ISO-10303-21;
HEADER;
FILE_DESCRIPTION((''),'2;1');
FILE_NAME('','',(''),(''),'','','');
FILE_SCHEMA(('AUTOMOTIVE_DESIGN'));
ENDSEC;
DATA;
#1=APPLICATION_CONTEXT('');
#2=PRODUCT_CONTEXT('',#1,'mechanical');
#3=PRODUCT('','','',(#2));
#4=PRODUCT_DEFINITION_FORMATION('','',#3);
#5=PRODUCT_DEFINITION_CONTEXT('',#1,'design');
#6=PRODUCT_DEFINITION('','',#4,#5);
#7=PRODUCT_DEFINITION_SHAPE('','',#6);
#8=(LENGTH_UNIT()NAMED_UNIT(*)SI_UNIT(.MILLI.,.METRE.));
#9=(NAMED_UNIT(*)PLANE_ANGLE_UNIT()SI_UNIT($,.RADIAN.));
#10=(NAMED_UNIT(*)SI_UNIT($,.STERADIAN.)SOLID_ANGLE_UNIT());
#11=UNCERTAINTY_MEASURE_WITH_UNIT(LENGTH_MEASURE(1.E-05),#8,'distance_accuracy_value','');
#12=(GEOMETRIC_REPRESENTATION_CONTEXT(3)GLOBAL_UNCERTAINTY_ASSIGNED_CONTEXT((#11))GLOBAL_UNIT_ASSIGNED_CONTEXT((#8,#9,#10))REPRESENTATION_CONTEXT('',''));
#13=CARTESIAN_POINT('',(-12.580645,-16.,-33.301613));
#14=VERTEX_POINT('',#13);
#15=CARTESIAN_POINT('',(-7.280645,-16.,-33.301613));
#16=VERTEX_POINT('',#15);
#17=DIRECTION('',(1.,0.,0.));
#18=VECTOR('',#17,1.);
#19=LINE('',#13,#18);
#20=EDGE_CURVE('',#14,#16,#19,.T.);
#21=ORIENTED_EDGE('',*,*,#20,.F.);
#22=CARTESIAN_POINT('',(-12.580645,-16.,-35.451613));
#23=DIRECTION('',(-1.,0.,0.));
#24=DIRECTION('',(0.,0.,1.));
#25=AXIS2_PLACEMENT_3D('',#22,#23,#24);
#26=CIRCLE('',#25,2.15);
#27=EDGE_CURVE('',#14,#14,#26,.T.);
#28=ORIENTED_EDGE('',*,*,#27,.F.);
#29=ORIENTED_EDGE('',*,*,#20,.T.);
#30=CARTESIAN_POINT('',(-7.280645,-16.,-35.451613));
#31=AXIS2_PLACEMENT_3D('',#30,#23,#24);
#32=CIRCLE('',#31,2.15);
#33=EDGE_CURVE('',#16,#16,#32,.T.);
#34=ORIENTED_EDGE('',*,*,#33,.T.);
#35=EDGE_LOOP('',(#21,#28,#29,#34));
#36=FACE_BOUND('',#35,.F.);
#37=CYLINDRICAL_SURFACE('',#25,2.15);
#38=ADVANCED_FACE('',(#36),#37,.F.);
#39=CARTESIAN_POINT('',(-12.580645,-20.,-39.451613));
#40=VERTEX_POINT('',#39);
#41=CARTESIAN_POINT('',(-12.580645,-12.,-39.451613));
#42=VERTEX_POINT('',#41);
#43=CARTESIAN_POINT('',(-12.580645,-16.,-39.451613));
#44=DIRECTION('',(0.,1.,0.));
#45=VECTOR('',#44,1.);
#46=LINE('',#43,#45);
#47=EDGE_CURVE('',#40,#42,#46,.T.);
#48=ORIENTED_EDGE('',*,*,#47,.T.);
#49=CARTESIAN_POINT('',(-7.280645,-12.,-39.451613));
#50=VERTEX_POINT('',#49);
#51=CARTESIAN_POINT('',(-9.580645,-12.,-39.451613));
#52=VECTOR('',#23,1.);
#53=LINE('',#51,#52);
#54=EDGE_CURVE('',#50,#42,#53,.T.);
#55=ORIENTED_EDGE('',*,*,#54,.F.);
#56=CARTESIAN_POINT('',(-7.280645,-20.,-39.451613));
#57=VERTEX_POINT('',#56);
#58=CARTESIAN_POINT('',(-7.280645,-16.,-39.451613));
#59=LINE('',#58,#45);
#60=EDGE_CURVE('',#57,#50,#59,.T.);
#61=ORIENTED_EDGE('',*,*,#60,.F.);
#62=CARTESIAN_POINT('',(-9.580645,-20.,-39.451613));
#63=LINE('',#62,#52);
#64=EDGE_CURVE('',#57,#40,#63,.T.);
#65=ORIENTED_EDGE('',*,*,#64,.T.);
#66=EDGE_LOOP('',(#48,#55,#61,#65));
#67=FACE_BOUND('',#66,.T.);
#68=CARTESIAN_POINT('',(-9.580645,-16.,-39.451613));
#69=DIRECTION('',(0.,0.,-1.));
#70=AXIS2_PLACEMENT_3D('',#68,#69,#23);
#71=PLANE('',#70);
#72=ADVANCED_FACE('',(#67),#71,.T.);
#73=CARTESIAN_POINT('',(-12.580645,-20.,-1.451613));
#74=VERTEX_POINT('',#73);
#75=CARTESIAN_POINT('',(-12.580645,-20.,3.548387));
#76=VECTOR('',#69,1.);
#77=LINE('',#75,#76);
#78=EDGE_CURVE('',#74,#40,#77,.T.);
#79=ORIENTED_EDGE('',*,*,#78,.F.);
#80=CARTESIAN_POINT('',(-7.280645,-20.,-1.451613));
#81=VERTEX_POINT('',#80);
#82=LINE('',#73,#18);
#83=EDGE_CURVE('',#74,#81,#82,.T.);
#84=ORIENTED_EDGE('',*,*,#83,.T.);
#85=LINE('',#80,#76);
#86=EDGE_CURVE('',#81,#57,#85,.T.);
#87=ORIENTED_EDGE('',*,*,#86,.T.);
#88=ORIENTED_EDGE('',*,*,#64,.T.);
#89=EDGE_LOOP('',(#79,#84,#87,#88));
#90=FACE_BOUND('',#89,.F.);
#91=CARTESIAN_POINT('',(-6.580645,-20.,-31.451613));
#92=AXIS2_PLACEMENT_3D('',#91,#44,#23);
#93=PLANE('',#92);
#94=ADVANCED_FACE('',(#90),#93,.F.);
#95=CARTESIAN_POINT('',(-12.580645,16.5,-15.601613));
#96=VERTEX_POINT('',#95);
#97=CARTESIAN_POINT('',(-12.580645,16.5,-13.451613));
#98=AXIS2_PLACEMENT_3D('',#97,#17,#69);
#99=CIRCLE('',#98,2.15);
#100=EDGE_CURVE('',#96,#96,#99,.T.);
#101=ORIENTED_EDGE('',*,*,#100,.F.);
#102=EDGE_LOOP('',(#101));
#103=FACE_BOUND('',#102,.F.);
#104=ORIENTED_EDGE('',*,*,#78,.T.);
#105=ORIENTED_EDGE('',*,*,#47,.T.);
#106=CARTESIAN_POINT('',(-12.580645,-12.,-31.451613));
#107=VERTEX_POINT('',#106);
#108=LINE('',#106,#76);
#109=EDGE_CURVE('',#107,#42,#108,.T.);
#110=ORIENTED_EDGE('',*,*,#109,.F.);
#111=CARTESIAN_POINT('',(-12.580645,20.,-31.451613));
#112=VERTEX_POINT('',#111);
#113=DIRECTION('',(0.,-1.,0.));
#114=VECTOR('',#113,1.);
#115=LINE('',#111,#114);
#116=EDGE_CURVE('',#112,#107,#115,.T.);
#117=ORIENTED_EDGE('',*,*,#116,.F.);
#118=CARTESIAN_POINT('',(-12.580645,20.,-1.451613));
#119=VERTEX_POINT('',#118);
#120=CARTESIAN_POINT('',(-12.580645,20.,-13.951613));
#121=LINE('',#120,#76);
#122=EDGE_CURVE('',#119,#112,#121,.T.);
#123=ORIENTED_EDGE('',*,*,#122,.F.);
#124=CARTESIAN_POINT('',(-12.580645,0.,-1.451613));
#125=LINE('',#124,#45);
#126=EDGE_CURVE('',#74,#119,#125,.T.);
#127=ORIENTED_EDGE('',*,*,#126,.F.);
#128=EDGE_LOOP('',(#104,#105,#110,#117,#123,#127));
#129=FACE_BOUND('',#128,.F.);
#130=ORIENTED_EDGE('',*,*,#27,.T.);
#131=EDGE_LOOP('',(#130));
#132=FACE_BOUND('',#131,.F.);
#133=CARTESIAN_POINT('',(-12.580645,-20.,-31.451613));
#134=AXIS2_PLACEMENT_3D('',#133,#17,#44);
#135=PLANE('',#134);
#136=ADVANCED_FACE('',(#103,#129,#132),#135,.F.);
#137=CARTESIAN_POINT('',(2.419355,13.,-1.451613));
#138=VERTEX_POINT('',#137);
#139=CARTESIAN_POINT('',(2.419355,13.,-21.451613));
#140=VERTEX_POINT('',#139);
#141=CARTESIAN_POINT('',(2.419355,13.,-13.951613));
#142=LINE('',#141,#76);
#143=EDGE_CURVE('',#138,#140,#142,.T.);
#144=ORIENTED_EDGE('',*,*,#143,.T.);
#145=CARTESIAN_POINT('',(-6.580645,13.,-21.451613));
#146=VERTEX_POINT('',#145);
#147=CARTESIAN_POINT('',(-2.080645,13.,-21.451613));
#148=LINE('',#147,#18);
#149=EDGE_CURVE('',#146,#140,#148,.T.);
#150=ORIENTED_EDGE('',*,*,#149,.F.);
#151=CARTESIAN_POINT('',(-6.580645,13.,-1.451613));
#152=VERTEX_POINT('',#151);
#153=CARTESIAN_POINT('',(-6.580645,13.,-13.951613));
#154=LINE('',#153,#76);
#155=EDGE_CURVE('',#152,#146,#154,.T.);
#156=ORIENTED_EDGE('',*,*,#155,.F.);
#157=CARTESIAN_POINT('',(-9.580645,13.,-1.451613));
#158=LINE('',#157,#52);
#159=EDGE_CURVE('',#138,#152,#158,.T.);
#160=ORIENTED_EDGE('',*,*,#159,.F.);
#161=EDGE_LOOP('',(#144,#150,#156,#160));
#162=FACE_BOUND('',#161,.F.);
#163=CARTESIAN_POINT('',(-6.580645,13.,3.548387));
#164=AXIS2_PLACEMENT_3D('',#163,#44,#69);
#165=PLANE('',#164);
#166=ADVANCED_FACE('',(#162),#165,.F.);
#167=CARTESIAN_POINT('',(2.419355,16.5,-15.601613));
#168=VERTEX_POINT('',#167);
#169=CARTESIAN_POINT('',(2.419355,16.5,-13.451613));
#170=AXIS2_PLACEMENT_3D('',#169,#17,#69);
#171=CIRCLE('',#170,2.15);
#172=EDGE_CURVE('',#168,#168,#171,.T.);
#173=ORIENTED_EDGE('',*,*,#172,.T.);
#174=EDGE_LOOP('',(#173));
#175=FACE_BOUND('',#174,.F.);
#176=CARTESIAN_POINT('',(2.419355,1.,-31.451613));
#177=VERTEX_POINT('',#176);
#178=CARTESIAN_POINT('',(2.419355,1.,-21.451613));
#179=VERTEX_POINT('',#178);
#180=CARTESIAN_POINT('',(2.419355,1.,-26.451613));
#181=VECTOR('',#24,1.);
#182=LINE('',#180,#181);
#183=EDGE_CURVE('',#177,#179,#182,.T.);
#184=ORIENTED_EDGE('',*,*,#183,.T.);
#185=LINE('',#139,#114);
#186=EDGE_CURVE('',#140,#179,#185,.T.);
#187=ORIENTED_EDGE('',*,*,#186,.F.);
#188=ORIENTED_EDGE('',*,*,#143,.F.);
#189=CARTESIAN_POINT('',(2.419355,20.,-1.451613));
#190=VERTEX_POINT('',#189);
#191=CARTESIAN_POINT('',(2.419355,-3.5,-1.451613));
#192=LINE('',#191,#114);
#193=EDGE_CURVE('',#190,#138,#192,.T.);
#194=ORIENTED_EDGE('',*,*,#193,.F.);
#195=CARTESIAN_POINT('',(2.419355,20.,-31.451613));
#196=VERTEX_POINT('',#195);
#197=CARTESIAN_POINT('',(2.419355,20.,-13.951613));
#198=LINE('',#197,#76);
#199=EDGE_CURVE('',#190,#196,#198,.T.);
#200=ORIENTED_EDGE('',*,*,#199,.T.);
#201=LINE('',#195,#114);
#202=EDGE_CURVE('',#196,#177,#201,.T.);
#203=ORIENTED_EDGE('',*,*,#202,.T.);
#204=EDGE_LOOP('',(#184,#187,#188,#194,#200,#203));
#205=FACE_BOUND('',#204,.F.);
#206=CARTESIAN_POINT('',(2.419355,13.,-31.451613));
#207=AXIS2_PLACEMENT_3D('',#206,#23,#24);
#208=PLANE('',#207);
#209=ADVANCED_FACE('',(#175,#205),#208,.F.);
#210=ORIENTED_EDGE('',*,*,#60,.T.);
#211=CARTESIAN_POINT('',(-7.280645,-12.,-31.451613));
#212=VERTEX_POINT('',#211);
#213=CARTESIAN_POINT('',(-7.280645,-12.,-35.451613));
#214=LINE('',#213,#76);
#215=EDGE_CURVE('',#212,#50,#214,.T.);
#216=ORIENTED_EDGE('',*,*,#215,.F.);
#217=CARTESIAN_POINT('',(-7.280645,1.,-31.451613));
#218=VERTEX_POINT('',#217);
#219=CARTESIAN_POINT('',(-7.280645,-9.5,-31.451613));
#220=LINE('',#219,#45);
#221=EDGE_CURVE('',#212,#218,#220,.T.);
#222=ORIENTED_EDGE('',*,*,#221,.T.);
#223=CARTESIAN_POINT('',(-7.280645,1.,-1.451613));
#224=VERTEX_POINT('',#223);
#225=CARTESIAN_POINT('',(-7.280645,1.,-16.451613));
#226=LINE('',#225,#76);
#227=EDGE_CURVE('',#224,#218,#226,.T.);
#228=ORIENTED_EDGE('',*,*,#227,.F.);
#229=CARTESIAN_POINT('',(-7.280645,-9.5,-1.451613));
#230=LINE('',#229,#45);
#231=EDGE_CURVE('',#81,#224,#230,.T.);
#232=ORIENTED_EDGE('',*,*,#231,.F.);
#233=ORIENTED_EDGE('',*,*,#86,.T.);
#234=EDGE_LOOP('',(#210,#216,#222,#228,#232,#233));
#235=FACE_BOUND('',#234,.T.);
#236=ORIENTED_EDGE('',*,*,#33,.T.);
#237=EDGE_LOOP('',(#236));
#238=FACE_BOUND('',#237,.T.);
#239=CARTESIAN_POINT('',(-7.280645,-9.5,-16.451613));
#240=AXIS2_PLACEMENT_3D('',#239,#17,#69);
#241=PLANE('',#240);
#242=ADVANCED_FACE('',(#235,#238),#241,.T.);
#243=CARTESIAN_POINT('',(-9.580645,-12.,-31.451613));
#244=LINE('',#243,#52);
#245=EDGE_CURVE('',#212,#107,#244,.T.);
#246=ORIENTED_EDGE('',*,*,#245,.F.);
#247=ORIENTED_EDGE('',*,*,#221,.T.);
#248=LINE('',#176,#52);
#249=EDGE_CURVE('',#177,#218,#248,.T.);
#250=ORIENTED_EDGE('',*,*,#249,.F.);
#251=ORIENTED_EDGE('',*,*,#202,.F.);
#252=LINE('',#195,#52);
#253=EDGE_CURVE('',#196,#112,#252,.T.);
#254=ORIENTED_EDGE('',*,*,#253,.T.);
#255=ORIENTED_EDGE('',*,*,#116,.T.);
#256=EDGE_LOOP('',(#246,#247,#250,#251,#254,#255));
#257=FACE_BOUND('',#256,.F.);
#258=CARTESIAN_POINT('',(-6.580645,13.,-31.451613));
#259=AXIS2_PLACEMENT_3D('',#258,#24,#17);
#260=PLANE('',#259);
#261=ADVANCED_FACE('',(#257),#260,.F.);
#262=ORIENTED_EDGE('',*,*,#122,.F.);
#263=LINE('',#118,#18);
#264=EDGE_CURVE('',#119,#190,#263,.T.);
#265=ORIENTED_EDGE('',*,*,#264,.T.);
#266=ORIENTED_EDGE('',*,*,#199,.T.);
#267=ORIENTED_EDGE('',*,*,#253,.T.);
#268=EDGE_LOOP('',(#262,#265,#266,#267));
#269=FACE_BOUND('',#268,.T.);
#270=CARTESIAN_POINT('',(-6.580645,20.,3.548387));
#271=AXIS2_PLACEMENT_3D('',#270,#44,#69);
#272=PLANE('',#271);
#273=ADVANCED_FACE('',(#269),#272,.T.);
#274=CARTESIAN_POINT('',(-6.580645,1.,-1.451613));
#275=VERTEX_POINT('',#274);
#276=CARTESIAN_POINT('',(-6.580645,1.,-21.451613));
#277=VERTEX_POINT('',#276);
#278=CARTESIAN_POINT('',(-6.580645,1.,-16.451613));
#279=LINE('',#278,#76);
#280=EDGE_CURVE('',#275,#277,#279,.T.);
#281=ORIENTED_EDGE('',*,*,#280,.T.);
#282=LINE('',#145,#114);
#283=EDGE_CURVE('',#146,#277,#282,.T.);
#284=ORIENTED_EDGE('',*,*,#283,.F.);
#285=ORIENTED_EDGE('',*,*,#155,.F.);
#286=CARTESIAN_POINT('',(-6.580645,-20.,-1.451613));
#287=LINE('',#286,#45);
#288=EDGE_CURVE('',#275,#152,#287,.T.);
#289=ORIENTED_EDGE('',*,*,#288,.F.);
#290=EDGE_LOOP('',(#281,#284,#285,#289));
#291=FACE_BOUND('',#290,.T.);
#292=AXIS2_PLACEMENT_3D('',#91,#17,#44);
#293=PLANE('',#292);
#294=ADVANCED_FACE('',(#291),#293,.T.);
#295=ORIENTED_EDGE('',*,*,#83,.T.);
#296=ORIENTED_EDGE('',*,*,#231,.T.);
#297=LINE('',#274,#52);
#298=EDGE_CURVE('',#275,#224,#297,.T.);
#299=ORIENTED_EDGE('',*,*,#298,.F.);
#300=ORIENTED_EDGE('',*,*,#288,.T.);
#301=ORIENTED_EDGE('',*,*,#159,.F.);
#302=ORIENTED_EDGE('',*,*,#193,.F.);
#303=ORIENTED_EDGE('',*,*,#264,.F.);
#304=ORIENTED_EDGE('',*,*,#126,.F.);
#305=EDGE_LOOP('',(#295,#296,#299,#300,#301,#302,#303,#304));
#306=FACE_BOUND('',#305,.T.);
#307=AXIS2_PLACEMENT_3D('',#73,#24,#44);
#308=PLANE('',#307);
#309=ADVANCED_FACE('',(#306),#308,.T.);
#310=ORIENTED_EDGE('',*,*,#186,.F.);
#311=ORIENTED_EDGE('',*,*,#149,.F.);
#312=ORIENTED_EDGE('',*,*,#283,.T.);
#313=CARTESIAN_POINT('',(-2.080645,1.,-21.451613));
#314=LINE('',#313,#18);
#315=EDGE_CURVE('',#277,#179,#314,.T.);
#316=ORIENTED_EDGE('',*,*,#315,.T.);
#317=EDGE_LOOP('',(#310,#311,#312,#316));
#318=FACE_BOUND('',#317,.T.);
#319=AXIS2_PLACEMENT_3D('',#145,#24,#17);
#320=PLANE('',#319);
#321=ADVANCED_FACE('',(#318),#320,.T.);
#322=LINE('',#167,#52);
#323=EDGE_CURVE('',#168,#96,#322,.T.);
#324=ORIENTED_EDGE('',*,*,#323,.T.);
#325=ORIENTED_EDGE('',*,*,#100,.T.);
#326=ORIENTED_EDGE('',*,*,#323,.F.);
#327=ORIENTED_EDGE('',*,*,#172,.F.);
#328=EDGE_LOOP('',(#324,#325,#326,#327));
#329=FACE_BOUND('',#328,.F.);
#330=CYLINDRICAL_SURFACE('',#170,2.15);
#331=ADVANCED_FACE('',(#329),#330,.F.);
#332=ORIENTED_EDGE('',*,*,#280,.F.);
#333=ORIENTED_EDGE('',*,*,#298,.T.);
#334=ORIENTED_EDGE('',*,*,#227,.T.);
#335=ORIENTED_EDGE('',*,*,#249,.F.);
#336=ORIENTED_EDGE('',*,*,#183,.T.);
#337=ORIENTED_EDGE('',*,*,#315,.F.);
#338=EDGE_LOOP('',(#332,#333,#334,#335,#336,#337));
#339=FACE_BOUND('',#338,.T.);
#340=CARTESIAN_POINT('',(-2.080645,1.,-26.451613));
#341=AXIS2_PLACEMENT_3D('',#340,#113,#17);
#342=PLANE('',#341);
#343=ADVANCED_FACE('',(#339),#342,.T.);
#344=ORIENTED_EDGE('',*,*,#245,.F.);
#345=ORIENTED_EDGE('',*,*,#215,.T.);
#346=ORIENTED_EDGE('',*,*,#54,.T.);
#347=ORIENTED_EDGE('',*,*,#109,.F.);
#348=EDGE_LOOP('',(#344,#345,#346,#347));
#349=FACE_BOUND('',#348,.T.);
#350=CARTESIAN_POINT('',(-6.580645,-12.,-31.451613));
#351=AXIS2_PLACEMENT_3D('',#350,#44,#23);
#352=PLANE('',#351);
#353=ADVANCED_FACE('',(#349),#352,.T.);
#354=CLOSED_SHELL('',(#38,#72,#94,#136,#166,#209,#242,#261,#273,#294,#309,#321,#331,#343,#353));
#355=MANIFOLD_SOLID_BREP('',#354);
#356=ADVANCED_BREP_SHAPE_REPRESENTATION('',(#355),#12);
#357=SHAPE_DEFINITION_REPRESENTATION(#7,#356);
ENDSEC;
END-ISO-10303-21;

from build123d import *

# Parameters (mm, degrees)
SKETCH1_W           = 6
SKETCH1_H           = 35
BOSS_EXTRUDE1_DEPTH = 20
SKETCH2_W           = 35
SKETCH2_H           = 7
BOSS_EXTRUDE2_DEPTH = 9
SKETCH6_R           = 2.15
CUT_EXTRUDE1_DEPTH  = 16
SKETCH7_W           = 6
SKETCH7_H           = 8
BOSS_EXTRUDE3_DEPTH = 8
SKETCH8_R           = 2.15
CUT_EXTRUDE2_DEPTH  = 16
SKETCH9_W           = 9
SKETCH9_H           = 10
BOSS_EXTRUDE4_DEPTH = 12
CUT_EXTRUDE3_REACH  = 17
SKETCH10_W          = 5
SKETCH10_H          = 40
SKETCH11_W          = 30
SKETCH11_H          = 21
CUT_EXTRUDE4_DEPTH  = 0.7
SKETCH12_W          = 8
SKETCH12_H          = 8
CUT_EXTRUDE5_DEPTH  = 0.7


with BuildPart() as part:
    # Sketch1 → Boss-Extrude1 (new body, symmetric)
    with BuildSketch(Plane(origin=(0, 0, 0), x_dir=(1, 0, 0), z_dir=(0, 1, 0))):
        with Locations((-9.580645161, 13.951612903)):
            Rectangle(SKETCH1_W, SKETCH1_H)
    extrude(amount=BOSS_EXTRUDE1_DEPTH, both=True)

    # Sketch2 → Boss-Extrude2 (add)
    with BuildSketch(Plane(origin=(-6.580645161, 0, 0), x_dir=(0, 0, -1), z_dir=(1, 0, 0))):
        with Locations((13.951612903, 16.5)):
            Rectangle(SKETCH2_W, SKETCH2_H)
    extrude(amount=BOSS_EXTRUDE2_DEPTH)

    # Sketch6 → Cut-Extrude1 (cut, through all)
    with BuildSketch(Plane(origin=(2.419354839, 0, 0), x_dir=(0, 0, -1), z_dir=(1, 0, 0))):
        with Locations((13.451612903, 16.5)):
            Circle(SKETCH6_R)
    extrude(amount=-CUT_EXTRUDE1_DEPTH, mode=Mode.SUBTRACT)

    # Sketch7 → Boss-Extrude3 (add)
    with BuildSketch(Plane(origin=(0, 0, -31.451612903), x_dir=(-1, 0, 0), z_dir=(0, 0, -1))):
        with Locations((9.580645161, -16)):
            Rectangle(SKETCH7_W, SKETCH7_H)
    extrude(amount=BOSS_EXTRUDE3_DEPTH)

    # Sketch8 → Cut-Extrude2 (cut, through all)
    with BuildSketch(Plane.ZY.offset(12.580645161)):
        with Locations((-35.451612903, -16)):
            Circle(SKETCH8_R)
    extrude(amount=-CUT_EXTRUDE2_DEPTH, mode=Mode.SUBTRACT)

    # Sketch9 → Boss-Extrude4 (add)
    with BuildSketch(Plane.XZ.offset(-13)):
        with Locations((-2.080645161, -26.451612903)):
            Rectangle(SKETCH9_W, SKETCH9_H)
    extrude(amount=BOSS_EXTRUDE4_DEPTH)

    # Sketch10 → Cut-Extrude3 (cut, up to next)
    with BuildSketch(Plane.ZY.offset(12.580645161), mode=Mode.PRIVATE) as cut_extrude3_sk1:
        with Locations((1.048387097, 0)):
            Rectangle(SKETCH10_W, SKETCH10_H)
    cut_extrude3_tool1 = extrude(cut_extrude3_sk1.sketch, amount=-CUT_EXTRUDE3_REACH, mode=Mode.PRIVATE) & part.part
    add(cut_extrude3_tool1.solids().sort_by_distance((-12.580645, 0, 1.048387))[0], mode=Mode.SUBTRACT)

    # Sketch11 → Cut-Extrude4 (cut)
    with BuildSketch(Plane(origin=(-6.580645161, 0, 0), x_dir=(0, 0, -1), z_dir=(1, 0, 0))):
        with Locations((16.451612903, -9.5)):
            Rectangle(SKETCH11_W, SKETCH11_H)
    extrude(amount=-CUT_EXTRUDE4_DEPTH, mode=Mode.SUBTRACT)

    # Sketch12 → Cut-Extrude5 (cut)
    with BuildSketch(Plane(origin=(-6.580645161, 0, 0), x_dir=(0, 0, -1), z_dir=(1, 0, 0))):
        with Locations((35.451612903, -16)):
            Rectangle(SKETCH12_W, SKETCH12_H)
    extrude(amount=-CUT_EXTRUDE5_DEPTH, mode=Mode.SUBTRACT)


solid = part.part
